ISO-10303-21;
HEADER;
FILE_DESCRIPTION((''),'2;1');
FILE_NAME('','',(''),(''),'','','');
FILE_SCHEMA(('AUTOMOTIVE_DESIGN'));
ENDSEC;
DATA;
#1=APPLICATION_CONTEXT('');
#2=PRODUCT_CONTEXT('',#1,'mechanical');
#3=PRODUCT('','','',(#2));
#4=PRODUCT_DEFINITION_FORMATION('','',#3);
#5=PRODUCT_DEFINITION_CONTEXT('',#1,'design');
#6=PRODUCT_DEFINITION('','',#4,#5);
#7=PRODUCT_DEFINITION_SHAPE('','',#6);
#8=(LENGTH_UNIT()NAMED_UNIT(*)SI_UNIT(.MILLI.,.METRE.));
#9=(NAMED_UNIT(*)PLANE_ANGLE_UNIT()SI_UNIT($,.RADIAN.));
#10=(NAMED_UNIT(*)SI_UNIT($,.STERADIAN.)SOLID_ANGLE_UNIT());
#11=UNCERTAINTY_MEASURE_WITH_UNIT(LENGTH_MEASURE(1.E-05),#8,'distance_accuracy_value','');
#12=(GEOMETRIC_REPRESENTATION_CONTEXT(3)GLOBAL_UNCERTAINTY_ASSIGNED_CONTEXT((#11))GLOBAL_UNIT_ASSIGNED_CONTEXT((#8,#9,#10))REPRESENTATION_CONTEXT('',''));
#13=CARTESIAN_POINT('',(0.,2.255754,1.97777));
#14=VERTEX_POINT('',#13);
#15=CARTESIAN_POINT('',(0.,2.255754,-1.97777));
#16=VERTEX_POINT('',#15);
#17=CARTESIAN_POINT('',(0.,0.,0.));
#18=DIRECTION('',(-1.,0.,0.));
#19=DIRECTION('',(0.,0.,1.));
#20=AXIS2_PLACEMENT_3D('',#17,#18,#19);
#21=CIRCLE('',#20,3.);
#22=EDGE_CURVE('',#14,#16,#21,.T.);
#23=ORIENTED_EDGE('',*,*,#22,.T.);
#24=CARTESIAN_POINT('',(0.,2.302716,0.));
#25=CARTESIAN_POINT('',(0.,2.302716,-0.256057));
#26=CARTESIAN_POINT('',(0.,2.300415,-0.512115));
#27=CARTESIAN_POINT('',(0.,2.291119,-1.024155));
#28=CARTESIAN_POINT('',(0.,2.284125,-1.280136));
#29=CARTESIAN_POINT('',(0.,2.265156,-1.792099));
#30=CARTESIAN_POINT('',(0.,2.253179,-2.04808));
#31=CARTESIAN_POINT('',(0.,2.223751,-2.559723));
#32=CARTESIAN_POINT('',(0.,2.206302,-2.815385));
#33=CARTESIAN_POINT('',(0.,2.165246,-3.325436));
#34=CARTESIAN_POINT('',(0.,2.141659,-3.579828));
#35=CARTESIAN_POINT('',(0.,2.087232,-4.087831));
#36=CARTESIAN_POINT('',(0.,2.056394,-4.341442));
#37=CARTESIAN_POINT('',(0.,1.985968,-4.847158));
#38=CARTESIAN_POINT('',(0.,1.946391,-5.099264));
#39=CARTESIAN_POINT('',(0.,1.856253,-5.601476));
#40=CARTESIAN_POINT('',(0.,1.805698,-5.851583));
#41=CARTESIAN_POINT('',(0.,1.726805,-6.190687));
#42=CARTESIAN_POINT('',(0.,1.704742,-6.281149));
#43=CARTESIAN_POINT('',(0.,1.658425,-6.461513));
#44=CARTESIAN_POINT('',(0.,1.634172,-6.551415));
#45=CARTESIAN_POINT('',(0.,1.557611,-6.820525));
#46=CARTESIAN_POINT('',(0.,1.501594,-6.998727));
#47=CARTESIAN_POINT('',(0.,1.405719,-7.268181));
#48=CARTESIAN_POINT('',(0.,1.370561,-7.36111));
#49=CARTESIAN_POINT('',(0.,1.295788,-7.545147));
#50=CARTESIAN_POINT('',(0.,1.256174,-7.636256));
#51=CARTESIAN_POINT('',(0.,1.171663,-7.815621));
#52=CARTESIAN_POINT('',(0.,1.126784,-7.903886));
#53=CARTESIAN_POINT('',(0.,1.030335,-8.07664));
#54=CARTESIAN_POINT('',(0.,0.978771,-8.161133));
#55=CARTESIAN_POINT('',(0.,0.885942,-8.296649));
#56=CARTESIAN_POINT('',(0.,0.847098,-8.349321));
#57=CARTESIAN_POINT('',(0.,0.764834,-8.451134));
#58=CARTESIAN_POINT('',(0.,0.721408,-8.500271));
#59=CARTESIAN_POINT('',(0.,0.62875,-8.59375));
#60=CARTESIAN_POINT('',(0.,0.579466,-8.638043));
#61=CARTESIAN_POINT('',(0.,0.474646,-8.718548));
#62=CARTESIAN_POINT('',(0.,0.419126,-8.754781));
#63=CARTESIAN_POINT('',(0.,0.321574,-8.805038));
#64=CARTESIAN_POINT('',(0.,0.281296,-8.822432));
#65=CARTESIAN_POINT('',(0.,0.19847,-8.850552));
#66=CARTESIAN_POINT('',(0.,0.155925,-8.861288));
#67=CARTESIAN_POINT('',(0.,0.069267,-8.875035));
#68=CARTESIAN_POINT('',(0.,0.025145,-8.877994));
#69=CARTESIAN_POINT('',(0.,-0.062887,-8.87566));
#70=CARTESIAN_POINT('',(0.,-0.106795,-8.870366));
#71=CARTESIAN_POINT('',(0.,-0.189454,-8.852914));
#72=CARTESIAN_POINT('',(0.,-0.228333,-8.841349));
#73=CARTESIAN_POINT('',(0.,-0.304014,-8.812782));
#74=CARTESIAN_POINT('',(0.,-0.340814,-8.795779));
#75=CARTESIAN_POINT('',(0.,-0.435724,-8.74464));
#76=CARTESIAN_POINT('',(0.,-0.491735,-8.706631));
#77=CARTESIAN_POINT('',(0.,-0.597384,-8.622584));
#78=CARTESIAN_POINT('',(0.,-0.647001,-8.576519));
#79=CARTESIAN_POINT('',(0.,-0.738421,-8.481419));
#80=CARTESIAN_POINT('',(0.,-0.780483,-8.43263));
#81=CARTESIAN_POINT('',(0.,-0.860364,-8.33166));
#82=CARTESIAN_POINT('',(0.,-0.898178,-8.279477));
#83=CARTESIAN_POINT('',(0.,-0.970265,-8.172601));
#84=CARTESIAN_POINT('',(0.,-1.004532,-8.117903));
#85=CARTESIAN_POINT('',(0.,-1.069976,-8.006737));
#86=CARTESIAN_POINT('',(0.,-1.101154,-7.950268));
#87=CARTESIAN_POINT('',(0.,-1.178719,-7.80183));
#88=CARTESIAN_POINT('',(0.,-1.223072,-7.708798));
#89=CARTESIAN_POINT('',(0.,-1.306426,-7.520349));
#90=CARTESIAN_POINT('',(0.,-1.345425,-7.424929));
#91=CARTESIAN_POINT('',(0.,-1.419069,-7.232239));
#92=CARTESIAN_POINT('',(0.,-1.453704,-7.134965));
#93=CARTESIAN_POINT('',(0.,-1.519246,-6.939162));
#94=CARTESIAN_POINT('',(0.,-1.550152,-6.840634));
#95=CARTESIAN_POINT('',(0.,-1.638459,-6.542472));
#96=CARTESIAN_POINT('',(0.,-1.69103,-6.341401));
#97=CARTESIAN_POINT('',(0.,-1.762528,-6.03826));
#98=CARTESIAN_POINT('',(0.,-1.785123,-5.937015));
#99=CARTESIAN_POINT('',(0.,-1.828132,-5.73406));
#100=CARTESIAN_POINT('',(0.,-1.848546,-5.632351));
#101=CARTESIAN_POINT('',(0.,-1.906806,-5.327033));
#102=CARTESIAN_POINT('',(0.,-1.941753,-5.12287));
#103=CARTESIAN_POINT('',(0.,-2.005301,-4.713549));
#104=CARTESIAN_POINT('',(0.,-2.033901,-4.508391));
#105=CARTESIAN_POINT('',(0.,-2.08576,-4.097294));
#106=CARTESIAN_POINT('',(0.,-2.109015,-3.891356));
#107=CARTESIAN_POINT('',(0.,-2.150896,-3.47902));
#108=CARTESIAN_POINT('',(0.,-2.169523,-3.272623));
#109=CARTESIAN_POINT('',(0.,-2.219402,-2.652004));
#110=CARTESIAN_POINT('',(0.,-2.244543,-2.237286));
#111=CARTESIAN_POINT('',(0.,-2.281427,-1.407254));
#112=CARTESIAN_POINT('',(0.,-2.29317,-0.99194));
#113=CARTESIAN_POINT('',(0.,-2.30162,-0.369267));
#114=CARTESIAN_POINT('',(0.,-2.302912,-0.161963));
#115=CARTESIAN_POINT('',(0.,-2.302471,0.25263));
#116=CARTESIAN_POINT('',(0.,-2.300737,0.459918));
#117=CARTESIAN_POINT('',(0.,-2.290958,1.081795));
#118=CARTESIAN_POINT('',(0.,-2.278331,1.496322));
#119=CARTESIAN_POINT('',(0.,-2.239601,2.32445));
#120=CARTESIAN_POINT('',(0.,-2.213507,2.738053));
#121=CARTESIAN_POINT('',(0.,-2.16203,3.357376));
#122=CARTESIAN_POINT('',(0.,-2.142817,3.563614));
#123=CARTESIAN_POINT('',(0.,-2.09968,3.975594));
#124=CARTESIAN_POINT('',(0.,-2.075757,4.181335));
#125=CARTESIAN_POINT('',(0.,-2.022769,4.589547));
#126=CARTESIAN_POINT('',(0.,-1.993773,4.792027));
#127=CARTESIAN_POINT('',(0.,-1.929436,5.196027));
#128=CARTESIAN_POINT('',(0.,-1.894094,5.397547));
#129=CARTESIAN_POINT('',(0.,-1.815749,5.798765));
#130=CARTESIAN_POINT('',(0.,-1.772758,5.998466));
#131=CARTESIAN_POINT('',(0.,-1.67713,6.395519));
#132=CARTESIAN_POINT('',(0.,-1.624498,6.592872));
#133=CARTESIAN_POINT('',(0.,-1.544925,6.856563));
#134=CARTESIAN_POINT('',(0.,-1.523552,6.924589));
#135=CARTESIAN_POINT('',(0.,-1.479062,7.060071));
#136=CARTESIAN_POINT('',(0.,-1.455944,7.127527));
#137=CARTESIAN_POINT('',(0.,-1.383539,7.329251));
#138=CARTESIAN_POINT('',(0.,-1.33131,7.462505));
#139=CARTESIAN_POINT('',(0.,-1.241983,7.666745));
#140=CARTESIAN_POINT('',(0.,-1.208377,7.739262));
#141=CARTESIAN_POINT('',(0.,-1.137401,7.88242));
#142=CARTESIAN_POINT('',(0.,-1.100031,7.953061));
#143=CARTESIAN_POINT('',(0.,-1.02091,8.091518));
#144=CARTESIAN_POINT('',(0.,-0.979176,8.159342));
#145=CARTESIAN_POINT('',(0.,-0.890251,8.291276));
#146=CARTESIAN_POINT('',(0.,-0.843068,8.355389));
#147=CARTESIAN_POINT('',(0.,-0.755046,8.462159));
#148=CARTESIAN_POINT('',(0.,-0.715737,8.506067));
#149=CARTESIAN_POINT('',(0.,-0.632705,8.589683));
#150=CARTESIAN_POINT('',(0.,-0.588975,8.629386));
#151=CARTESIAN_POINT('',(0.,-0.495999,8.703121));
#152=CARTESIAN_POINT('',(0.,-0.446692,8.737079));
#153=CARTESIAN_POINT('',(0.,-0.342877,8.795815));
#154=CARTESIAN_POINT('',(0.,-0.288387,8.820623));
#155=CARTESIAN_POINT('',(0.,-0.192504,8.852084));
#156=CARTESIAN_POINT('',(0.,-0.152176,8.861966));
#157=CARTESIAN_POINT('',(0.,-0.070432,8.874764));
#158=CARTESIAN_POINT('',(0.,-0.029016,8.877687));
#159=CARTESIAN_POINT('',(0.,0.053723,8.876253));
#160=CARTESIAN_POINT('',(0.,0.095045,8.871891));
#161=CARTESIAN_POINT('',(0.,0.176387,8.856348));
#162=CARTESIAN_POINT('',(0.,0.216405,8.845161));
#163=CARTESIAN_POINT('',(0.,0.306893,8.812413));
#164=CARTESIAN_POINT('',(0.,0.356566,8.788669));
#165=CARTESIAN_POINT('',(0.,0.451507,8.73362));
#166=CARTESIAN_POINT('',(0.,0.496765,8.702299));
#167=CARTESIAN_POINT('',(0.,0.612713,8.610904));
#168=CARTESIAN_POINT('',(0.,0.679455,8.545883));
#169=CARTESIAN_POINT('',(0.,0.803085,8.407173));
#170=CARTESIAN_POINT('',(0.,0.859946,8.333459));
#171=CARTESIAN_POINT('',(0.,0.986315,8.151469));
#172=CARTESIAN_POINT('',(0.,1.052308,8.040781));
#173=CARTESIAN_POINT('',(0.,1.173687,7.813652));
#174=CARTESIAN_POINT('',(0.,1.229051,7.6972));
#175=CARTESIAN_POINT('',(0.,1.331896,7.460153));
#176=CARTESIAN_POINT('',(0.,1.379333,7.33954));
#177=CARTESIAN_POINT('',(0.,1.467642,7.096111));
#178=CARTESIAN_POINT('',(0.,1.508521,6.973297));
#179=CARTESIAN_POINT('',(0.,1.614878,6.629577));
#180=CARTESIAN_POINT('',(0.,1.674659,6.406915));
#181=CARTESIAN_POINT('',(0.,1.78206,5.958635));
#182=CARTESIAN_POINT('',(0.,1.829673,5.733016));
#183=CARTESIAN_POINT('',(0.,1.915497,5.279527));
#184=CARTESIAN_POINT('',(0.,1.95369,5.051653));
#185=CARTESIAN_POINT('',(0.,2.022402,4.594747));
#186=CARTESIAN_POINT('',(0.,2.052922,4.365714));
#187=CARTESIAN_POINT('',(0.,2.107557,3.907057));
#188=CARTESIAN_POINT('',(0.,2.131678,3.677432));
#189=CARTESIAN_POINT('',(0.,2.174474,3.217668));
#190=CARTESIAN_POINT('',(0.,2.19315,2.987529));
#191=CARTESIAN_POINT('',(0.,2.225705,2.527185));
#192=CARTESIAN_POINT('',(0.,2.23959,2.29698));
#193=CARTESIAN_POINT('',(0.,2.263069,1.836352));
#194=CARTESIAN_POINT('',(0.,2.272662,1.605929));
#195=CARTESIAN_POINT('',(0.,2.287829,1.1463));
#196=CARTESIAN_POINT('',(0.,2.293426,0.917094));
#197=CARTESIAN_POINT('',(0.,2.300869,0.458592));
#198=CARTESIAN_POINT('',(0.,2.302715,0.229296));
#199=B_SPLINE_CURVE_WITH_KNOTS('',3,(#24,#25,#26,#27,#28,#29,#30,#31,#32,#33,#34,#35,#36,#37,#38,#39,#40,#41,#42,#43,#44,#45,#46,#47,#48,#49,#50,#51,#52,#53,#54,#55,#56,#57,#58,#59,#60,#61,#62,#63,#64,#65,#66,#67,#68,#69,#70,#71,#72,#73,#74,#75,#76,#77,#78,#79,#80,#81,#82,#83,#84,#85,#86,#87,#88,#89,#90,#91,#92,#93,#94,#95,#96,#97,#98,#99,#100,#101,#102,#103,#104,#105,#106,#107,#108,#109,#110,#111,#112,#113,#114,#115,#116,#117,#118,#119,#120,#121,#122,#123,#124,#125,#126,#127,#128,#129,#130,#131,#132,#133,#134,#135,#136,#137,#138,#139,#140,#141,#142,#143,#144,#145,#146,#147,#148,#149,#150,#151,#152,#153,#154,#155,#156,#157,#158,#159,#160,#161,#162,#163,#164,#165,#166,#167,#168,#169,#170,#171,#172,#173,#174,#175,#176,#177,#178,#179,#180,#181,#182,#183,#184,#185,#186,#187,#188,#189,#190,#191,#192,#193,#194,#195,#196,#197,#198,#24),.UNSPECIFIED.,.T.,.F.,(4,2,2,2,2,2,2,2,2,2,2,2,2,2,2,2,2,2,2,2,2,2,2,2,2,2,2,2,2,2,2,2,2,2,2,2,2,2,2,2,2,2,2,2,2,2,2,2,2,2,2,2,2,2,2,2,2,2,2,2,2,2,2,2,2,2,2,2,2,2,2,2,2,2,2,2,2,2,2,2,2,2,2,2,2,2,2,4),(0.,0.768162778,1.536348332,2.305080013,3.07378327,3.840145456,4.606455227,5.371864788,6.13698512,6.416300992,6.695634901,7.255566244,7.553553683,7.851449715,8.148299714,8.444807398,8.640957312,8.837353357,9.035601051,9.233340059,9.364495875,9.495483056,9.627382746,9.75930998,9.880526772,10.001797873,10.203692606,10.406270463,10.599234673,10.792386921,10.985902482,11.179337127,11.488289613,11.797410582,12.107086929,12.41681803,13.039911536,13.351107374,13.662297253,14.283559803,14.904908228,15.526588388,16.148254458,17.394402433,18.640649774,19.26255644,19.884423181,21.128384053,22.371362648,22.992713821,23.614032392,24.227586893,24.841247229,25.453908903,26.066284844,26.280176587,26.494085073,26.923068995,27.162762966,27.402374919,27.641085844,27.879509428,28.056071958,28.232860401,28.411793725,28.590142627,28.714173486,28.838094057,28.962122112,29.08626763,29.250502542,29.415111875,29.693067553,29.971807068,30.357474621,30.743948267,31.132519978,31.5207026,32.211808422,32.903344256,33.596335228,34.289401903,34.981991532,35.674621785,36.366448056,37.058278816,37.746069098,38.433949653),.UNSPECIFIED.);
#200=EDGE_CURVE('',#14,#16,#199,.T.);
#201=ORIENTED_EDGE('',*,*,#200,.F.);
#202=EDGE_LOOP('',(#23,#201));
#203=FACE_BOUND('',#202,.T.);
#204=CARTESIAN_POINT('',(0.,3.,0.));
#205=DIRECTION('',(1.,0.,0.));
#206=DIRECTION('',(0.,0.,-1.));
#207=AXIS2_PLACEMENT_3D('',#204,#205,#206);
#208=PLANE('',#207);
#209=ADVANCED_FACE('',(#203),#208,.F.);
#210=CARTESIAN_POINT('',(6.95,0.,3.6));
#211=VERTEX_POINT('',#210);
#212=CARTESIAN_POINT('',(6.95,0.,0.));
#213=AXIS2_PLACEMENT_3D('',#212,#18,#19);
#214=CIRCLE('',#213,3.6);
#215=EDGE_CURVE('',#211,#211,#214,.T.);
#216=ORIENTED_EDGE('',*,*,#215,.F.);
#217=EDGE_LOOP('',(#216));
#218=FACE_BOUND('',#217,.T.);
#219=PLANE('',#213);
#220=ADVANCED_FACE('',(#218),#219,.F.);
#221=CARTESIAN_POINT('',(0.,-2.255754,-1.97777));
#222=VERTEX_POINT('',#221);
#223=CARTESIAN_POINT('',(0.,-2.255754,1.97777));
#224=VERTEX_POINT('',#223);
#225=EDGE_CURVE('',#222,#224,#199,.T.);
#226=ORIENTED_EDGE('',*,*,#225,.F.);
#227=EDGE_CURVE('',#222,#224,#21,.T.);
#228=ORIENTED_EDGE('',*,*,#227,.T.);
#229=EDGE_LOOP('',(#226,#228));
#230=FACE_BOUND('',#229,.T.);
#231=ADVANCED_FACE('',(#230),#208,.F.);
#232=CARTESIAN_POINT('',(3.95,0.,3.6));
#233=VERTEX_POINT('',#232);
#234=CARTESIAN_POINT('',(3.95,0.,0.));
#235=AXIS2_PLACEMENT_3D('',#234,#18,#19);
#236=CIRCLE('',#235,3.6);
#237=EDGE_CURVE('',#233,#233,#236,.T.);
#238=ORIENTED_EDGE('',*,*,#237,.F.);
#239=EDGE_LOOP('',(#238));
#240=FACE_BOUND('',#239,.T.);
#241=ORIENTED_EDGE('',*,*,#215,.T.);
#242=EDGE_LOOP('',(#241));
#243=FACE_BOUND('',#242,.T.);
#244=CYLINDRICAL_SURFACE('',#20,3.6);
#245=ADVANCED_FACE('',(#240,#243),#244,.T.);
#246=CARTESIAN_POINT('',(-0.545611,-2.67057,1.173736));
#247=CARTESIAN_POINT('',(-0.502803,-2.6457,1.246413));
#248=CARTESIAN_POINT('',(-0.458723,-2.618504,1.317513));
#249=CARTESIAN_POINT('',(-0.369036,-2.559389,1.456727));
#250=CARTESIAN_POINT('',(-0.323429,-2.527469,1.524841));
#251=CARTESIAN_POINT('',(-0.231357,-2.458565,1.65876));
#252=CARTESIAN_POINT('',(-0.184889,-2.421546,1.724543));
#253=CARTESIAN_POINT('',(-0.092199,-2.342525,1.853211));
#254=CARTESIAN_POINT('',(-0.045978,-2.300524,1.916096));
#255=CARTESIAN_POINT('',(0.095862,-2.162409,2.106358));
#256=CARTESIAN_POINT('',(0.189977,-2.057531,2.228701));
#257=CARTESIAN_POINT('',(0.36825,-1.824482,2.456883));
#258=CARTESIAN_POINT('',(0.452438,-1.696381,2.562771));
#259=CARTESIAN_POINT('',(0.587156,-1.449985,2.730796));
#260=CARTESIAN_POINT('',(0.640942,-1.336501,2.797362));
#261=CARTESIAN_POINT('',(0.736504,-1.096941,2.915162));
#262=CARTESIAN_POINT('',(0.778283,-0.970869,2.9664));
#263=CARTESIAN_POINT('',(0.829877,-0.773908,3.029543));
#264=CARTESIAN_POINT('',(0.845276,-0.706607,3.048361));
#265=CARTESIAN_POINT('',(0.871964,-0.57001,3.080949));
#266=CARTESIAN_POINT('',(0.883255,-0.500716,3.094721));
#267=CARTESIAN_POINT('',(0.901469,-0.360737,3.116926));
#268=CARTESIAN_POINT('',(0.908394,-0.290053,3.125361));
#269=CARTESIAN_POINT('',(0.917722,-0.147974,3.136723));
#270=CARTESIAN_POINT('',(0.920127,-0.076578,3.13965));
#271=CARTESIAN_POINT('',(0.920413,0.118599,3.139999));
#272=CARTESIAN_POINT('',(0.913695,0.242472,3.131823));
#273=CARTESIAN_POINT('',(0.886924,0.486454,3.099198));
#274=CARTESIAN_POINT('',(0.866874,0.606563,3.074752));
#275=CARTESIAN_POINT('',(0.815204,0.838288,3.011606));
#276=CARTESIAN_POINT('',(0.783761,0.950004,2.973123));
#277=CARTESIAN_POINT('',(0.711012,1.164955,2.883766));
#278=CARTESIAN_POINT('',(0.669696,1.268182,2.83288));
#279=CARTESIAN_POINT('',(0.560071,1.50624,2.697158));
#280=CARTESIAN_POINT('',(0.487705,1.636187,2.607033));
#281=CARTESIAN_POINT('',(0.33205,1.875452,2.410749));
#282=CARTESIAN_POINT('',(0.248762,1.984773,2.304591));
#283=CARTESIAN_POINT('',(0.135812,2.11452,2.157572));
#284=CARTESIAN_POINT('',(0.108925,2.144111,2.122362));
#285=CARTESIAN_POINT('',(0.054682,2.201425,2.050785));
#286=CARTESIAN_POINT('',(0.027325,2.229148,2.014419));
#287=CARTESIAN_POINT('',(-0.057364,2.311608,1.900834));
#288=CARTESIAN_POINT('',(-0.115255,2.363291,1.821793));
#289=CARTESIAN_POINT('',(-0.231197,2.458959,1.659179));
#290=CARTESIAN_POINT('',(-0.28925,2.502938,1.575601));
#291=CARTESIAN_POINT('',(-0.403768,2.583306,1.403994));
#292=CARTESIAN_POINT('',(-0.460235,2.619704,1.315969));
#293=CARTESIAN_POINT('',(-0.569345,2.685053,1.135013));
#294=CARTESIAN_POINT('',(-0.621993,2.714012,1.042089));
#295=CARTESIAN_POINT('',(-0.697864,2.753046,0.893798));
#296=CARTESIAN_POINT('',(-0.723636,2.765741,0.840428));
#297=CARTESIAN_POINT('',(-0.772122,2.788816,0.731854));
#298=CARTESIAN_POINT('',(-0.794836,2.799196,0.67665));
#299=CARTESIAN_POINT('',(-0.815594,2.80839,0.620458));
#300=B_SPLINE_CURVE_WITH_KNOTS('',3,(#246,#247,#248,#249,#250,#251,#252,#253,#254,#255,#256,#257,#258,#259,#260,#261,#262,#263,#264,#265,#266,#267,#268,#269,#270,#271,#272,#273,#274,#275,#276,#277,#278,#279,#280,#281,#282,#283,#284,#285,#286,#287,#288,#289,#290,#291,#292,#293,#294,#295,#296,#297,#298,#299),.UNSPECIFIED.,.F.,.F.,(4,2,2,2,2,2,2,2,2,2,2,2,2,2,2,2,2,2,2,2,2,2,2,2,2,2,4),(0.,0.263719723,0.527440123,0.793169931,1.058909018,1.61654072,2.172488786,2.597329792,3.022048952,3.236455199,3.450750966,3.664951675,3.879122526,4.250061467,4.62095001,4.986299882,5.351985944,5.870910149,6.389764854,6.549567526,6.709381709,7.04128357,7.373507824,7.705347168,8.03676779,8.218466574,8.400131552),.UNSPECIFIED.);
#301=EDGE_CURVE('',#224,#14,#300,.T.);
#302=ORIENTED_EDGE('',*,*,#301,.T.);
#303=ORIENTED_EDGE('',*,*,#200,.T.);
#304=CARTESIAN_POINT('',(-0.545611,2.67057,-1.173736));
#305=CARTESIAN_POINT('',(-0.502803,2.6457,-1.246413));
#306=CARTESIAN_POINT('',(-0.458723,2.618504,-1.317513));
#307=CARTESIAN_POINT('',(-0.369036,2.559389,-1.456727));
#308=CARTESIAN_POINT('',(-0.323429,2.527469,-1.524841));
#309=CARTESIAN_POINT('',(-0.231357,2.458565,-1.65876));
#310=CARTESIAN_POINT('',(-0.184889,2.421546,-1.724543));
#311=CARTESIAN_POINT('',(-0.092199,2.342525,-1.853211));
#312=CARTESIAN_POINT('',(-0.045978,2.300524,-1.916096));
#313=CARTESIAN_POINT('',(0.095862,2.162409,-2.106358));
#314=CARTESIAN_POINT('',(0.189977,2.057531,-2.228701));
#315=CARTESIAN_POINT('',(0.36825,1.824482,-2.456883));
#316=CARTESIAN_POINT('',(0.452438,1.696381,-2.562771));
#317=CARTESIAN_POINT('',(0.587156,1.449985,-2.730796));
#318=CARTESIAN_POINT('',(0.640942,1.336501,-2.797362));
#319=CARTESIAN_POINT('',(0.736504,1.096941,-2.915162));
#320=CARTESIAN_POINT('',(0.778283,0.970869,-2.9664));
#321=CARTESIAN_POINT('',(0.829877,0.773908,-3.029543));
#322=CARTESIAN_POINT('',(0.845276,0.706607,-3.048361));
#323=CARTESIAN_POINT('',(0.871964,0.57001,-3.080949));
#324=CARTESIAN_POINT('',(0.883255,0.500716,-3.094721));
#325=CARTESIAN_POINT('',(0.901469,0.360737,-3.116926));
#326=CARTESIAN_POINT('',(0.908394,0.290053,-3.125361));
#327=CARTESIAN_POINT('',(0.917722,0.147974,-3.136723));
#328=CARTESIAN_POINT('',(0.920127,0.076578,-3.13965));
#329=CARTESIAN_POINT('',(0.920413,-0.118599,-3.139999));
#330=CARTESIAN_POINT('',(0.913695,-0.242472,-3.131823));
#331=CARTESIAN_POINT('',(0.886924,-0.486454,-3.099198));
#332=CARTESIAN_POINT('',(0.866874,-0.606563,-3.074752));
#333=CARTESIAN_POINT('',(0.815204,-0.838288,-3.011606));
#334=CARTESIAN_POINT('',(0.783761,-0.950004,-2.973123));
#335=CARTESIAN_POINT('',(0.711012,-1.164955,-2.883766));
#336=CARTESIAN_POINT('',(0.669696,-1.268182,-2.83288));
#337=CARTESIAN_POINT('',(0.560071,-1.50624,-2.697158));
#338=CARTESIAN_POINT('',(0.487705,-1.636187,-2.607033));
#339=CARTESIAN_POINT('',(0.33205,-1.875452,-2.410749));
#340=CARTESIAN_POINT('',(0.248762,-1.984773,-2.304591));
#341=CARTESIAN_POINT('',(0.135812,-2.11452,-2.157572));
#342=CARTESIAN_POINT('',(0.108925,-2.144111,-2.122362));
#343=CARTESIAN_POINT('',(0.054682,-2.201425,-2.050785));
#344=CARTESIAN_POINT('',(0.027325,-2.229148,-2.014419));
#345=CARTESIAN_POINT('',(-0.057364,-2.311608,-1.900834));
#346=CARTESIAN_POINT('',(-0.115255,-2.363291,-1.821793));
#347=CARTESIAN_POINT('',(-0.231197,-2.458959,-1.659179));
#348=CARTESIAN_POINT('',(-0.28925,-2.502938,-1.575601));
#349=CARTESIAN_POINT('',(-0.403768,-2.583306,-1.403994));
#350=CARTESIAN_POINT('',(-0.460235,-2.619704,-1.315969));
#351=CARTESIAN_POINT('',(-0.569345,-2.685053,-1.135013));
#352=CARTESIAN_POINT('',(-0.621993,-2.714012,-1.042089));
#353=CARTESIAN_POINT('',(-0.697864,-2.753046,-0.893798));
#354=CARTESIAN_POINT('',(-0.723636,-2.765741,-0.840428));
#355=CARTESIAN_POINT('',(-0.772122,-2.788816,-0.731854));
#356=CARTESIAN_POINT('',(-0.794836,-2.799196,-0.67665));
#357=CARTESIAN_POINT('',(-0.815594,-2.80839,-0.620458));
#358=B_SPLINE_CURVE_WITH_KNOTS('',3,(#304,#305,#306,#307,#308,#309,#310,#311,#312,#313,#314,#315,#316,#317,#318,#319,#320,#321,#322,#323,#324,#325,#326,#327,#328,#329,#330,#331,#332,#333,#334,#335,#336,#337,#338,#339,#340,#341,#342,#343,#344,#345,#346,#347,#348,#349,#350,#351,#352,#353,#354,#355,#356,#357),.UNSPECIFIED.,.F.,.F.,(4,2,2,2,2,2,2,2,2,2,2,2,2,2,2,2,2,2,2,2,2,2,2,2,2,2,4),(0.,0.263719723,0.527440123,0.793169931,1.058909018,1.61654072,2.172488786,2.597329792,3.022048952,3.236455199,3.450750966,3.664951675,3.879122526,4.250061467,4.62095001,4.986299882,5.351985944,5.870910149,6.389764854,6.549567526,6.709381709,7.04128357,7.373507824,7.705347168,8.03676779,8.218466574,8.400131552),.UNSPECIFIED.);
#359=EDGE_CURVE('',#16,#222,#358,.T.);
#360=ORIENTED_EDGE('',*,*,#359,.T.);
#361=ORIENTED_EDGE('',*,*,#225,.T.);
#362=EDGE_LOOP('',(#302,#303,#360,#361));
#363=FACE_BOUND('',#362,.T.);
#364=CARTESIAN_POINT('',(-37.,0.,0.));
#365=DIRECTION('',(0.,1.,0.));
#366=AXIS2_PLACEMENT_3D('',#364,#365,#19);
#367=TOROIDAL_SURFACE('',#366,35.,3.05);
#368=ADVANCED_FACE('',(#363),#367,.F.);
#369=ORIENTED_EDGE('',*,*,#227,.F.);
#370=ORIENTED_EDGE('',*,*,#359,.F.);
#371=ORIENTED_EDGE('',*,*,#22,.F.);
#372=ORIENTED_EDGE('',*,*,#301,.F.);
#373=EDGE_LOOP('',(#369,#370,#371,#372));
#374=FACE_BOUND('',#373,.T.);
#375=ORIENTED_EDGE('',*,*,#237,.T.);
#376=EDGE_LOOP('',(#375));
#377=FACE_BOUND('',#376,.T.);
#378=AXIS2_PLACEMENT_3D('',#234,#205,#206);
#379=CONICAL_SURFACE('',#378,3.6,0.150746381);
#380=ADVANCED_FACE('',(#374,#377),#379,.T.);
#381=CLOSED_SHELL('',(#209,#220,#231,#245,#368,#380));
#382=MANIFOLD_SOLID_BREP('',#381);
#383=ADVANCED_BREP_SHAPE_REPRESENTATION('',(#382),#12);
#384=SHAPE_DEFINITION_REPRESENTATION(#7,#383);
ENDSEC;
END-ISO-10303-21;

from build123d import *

# Parameters (mm, degrees)
CROQUIS2_R = 3.05


with BuildPart() as part:
    # Croquis1 → Revolución1 (revolve)
    with BuildSketch(Plane.XY):
        Polygon((0, 0), (6.95, 0), (6.95, 3.6), (3.95, 3.6), (0, 3), align=None)
    revolve(axis=Axis((0, 0, 0), (1, 0, 0)))

    # Croquis2 → Cortar-Revolución1 (revolve, cut)
    with BuildSketch(Plane.XY):
        with Locations((-2, 0)):
            Circle(CROQUIS2_R)
    revolve(axis=Axis((-37, 2.569103134, 0), (0, -1, 0)), mode=Mode.SUBTRACT)


solid = part.part
